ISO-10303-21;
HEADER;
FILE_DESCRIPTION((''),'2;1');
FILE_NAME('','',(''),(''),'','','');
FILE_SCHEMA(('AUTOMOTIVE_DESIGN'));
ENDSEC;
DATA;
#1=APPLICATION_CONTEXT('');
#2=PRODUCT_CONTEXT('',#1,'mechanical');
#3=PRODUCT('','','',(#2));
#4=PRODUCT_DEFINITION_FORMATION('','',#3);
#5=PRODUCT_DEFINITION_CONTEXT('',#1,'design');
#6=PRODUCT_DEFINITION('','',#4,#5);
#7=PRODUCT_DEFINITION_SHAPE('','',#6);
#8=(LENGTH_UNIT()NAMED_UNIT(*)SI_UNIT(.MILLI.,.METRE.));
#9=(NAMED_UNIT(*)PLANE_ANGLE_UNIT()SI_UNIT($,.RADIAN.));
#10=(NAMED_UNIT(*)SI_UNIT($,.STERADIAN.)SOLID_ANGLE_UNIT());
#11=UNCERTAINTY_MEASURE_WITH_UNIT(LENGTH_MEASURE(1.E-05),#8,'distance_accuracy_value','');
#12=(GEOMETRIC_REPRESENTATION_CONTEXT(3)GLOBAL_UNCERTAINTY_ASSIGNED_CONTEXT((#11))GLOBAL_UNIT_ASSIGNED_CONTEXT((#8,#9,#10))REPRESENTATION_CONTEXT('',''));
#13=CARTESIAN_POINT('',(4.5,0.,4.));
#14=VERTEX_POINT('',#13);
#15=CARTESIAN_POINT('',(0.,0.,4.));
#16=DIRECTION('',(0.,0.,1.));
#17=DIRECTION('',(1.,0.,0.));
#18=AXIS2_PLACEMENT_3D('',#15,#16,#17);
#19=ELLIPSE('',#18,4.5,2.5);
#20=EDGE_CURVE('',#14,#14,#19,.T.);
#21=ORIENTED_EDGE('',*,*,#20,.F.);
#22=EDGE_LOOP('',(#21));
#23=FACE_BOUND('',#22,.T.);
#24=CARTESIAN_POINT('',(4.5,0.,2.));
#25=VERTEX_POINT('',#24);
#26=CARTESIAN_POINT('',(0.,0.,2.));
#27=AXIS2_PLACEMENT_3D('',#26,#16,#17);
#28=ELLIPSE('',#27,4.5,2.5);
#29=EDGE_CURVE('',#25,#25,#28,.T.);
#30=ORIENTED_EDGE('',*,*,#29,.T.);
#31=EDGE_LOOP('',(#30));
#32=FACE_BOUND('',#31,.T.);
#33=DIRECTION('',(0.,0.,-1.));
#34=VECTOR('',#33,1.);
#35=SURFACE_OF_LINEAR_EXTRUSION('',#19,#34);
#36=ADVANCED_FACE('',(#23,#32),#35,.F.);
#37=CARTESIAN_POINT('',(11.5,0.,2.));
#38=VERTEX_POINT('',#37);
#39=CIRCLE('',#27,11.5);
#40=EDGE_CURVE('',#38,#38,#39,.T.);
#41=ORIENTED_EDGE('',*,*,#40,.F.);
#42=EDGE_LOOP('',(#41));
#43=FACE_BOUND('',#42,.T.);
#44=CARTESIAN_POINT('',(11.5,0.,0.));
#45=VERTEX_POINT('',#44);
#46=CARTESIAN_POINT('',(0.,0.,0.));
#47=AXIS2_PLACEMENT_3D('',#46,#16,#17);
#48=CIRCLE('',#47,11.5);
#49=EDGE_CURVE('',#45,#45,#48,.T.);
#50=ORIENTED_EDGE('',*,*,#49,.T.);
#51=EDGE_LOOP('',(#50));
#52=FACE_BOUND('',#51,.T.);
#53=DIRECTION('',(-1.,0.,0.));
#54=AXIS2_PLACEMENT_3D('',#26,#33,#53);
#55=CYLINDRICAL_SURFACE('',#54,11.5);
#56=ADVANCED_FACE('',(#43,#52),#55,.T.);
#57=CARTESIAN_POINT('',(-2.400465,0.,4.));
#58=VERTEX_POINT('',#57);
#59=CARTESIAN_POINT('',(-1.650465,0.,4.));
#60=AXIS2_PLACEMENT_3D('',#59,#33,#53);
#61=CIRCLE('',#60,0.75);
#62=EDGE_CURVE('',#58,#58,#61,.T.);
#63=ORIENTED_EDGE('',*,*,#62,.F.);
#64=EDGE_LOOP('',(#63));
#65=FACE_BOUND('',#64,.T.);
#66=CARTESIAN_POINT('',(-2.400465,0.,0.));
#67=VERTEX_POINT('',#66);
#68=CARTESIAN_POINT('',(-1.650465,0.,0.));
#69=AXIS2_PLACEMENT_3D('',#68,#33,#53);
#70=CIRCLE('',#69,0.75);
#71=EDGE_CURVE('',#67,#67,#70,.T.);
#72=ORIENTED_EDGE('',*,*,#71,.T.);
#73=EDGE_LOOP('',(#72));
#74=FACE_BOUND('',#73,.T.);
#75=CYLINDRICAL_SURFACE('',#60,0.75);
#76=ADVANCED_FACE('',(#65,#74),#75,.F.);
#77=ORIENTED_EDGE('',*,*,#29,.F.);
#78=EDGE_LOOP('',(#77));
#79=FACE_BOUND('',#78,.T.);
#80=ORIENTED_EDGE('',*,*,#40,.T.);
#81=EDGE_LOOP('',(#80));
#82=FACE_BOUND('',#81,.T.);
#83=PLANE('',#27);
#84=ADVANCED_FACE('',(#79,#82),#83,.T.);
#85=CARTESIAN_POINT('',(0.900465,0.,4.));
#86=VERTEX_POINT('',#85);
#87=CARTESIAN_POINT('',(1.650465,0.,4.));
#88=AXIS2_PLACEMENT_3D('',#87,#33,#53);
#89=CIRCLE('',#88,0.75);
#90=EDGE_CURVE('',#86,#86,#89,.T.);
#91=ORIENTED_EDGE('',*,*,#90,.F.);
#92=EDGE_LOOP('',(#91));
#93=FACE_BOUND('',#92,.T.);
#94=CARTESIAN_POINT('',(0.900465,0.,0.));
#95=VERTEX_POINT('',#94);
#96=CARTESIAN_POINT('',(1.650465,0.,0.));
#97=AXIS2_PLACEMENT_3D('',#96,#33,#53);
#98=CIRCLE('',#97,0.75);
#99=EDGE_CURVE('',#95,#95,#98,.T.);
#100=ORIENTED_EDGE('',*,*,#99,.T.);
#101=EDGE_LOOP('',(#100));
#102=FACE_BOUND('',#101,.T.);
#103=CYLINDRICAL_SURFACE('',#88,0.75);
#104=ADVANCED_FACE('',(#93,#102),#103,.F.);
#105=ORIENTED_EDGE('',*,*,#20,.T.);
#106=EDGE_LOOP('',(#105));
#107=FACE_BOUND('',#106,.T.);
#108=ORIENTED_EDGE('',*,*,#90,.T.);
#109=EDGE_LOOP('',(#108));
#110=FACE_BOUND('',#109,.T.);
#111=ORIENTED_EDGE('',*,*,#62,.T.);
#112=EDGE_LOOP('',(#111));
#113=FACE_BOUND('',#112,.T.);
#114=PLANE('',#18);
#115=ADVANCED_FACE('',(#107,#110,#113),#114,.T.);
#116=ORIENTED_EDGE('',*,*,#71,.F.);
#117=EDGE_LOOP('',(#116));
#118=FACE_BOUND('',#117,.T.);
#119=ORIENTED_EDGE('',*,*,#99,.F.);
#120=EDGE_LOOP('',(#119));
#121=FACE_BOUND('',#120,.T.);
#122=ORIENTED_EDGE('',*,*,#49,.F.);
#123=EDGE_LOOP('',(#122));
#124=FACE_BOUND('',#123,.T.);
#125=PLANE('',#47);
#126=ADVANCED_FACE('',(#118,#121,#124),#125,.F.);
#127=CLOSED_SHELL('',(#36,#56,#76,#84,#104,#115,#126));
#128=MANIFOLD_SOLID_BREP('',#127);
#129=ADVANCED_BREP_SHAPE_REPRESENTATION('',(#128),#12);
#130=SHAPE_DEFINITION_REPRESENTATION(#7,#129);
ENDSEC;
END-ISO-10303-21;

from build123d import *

# Parameters (mm, degrees)
ESQUISSE1_R             = 11.5
BOSS_EXTRU_1_DEPTH      = 2
ESQUISSE6_RX            = 4.5
ESQUISSE6_RY            = 2.5
BOSS_EXTRU_5_DEPTH      = 2
ESQUISSE7_R             = 0.75
ENL_V_MAT_EXTRU_1_DEPTH = 17.748134224


with BuildPart() as part:
    # Esquisse1 → Boss.-Extru.1 (new body)
    with BuildSketch(Plane.XY):
        Circle(ESQUISSE1_R)
    extrude(amount=BOSS_EXTRU_1_DEPTH)

    # Esquisse6 → Boss.-Extru.5 (add)
    with BuildSketch(Plane.XY.offset(2)):
        with Locations((0, 0)):
            Ellipse(ESQUISSE6_RX, ESQUISSE6_RY)
    extrude(amount=BOSS_EXTRU_5_DEPTH)

    # Esquisse7 → Enlèv. mat.-Extru.1 (cut, through all)
    with BuildSketch(Plane(origin=(0, 0, 0), x_dir=(-1, 0, 0), z_dir=(0, 0, -1))):
        with Locations((1.650464666, 0)):
            Circle(ESQUISSE7_R)
        with Locations((-1.650464666, 0)):
            Circle(ESQUISSE7_R)
    extrude(amount=-ENL_V_MAT_EXTRU_1_DEPTH, mode=Mode.SUBTRACT)


solid = part.part
